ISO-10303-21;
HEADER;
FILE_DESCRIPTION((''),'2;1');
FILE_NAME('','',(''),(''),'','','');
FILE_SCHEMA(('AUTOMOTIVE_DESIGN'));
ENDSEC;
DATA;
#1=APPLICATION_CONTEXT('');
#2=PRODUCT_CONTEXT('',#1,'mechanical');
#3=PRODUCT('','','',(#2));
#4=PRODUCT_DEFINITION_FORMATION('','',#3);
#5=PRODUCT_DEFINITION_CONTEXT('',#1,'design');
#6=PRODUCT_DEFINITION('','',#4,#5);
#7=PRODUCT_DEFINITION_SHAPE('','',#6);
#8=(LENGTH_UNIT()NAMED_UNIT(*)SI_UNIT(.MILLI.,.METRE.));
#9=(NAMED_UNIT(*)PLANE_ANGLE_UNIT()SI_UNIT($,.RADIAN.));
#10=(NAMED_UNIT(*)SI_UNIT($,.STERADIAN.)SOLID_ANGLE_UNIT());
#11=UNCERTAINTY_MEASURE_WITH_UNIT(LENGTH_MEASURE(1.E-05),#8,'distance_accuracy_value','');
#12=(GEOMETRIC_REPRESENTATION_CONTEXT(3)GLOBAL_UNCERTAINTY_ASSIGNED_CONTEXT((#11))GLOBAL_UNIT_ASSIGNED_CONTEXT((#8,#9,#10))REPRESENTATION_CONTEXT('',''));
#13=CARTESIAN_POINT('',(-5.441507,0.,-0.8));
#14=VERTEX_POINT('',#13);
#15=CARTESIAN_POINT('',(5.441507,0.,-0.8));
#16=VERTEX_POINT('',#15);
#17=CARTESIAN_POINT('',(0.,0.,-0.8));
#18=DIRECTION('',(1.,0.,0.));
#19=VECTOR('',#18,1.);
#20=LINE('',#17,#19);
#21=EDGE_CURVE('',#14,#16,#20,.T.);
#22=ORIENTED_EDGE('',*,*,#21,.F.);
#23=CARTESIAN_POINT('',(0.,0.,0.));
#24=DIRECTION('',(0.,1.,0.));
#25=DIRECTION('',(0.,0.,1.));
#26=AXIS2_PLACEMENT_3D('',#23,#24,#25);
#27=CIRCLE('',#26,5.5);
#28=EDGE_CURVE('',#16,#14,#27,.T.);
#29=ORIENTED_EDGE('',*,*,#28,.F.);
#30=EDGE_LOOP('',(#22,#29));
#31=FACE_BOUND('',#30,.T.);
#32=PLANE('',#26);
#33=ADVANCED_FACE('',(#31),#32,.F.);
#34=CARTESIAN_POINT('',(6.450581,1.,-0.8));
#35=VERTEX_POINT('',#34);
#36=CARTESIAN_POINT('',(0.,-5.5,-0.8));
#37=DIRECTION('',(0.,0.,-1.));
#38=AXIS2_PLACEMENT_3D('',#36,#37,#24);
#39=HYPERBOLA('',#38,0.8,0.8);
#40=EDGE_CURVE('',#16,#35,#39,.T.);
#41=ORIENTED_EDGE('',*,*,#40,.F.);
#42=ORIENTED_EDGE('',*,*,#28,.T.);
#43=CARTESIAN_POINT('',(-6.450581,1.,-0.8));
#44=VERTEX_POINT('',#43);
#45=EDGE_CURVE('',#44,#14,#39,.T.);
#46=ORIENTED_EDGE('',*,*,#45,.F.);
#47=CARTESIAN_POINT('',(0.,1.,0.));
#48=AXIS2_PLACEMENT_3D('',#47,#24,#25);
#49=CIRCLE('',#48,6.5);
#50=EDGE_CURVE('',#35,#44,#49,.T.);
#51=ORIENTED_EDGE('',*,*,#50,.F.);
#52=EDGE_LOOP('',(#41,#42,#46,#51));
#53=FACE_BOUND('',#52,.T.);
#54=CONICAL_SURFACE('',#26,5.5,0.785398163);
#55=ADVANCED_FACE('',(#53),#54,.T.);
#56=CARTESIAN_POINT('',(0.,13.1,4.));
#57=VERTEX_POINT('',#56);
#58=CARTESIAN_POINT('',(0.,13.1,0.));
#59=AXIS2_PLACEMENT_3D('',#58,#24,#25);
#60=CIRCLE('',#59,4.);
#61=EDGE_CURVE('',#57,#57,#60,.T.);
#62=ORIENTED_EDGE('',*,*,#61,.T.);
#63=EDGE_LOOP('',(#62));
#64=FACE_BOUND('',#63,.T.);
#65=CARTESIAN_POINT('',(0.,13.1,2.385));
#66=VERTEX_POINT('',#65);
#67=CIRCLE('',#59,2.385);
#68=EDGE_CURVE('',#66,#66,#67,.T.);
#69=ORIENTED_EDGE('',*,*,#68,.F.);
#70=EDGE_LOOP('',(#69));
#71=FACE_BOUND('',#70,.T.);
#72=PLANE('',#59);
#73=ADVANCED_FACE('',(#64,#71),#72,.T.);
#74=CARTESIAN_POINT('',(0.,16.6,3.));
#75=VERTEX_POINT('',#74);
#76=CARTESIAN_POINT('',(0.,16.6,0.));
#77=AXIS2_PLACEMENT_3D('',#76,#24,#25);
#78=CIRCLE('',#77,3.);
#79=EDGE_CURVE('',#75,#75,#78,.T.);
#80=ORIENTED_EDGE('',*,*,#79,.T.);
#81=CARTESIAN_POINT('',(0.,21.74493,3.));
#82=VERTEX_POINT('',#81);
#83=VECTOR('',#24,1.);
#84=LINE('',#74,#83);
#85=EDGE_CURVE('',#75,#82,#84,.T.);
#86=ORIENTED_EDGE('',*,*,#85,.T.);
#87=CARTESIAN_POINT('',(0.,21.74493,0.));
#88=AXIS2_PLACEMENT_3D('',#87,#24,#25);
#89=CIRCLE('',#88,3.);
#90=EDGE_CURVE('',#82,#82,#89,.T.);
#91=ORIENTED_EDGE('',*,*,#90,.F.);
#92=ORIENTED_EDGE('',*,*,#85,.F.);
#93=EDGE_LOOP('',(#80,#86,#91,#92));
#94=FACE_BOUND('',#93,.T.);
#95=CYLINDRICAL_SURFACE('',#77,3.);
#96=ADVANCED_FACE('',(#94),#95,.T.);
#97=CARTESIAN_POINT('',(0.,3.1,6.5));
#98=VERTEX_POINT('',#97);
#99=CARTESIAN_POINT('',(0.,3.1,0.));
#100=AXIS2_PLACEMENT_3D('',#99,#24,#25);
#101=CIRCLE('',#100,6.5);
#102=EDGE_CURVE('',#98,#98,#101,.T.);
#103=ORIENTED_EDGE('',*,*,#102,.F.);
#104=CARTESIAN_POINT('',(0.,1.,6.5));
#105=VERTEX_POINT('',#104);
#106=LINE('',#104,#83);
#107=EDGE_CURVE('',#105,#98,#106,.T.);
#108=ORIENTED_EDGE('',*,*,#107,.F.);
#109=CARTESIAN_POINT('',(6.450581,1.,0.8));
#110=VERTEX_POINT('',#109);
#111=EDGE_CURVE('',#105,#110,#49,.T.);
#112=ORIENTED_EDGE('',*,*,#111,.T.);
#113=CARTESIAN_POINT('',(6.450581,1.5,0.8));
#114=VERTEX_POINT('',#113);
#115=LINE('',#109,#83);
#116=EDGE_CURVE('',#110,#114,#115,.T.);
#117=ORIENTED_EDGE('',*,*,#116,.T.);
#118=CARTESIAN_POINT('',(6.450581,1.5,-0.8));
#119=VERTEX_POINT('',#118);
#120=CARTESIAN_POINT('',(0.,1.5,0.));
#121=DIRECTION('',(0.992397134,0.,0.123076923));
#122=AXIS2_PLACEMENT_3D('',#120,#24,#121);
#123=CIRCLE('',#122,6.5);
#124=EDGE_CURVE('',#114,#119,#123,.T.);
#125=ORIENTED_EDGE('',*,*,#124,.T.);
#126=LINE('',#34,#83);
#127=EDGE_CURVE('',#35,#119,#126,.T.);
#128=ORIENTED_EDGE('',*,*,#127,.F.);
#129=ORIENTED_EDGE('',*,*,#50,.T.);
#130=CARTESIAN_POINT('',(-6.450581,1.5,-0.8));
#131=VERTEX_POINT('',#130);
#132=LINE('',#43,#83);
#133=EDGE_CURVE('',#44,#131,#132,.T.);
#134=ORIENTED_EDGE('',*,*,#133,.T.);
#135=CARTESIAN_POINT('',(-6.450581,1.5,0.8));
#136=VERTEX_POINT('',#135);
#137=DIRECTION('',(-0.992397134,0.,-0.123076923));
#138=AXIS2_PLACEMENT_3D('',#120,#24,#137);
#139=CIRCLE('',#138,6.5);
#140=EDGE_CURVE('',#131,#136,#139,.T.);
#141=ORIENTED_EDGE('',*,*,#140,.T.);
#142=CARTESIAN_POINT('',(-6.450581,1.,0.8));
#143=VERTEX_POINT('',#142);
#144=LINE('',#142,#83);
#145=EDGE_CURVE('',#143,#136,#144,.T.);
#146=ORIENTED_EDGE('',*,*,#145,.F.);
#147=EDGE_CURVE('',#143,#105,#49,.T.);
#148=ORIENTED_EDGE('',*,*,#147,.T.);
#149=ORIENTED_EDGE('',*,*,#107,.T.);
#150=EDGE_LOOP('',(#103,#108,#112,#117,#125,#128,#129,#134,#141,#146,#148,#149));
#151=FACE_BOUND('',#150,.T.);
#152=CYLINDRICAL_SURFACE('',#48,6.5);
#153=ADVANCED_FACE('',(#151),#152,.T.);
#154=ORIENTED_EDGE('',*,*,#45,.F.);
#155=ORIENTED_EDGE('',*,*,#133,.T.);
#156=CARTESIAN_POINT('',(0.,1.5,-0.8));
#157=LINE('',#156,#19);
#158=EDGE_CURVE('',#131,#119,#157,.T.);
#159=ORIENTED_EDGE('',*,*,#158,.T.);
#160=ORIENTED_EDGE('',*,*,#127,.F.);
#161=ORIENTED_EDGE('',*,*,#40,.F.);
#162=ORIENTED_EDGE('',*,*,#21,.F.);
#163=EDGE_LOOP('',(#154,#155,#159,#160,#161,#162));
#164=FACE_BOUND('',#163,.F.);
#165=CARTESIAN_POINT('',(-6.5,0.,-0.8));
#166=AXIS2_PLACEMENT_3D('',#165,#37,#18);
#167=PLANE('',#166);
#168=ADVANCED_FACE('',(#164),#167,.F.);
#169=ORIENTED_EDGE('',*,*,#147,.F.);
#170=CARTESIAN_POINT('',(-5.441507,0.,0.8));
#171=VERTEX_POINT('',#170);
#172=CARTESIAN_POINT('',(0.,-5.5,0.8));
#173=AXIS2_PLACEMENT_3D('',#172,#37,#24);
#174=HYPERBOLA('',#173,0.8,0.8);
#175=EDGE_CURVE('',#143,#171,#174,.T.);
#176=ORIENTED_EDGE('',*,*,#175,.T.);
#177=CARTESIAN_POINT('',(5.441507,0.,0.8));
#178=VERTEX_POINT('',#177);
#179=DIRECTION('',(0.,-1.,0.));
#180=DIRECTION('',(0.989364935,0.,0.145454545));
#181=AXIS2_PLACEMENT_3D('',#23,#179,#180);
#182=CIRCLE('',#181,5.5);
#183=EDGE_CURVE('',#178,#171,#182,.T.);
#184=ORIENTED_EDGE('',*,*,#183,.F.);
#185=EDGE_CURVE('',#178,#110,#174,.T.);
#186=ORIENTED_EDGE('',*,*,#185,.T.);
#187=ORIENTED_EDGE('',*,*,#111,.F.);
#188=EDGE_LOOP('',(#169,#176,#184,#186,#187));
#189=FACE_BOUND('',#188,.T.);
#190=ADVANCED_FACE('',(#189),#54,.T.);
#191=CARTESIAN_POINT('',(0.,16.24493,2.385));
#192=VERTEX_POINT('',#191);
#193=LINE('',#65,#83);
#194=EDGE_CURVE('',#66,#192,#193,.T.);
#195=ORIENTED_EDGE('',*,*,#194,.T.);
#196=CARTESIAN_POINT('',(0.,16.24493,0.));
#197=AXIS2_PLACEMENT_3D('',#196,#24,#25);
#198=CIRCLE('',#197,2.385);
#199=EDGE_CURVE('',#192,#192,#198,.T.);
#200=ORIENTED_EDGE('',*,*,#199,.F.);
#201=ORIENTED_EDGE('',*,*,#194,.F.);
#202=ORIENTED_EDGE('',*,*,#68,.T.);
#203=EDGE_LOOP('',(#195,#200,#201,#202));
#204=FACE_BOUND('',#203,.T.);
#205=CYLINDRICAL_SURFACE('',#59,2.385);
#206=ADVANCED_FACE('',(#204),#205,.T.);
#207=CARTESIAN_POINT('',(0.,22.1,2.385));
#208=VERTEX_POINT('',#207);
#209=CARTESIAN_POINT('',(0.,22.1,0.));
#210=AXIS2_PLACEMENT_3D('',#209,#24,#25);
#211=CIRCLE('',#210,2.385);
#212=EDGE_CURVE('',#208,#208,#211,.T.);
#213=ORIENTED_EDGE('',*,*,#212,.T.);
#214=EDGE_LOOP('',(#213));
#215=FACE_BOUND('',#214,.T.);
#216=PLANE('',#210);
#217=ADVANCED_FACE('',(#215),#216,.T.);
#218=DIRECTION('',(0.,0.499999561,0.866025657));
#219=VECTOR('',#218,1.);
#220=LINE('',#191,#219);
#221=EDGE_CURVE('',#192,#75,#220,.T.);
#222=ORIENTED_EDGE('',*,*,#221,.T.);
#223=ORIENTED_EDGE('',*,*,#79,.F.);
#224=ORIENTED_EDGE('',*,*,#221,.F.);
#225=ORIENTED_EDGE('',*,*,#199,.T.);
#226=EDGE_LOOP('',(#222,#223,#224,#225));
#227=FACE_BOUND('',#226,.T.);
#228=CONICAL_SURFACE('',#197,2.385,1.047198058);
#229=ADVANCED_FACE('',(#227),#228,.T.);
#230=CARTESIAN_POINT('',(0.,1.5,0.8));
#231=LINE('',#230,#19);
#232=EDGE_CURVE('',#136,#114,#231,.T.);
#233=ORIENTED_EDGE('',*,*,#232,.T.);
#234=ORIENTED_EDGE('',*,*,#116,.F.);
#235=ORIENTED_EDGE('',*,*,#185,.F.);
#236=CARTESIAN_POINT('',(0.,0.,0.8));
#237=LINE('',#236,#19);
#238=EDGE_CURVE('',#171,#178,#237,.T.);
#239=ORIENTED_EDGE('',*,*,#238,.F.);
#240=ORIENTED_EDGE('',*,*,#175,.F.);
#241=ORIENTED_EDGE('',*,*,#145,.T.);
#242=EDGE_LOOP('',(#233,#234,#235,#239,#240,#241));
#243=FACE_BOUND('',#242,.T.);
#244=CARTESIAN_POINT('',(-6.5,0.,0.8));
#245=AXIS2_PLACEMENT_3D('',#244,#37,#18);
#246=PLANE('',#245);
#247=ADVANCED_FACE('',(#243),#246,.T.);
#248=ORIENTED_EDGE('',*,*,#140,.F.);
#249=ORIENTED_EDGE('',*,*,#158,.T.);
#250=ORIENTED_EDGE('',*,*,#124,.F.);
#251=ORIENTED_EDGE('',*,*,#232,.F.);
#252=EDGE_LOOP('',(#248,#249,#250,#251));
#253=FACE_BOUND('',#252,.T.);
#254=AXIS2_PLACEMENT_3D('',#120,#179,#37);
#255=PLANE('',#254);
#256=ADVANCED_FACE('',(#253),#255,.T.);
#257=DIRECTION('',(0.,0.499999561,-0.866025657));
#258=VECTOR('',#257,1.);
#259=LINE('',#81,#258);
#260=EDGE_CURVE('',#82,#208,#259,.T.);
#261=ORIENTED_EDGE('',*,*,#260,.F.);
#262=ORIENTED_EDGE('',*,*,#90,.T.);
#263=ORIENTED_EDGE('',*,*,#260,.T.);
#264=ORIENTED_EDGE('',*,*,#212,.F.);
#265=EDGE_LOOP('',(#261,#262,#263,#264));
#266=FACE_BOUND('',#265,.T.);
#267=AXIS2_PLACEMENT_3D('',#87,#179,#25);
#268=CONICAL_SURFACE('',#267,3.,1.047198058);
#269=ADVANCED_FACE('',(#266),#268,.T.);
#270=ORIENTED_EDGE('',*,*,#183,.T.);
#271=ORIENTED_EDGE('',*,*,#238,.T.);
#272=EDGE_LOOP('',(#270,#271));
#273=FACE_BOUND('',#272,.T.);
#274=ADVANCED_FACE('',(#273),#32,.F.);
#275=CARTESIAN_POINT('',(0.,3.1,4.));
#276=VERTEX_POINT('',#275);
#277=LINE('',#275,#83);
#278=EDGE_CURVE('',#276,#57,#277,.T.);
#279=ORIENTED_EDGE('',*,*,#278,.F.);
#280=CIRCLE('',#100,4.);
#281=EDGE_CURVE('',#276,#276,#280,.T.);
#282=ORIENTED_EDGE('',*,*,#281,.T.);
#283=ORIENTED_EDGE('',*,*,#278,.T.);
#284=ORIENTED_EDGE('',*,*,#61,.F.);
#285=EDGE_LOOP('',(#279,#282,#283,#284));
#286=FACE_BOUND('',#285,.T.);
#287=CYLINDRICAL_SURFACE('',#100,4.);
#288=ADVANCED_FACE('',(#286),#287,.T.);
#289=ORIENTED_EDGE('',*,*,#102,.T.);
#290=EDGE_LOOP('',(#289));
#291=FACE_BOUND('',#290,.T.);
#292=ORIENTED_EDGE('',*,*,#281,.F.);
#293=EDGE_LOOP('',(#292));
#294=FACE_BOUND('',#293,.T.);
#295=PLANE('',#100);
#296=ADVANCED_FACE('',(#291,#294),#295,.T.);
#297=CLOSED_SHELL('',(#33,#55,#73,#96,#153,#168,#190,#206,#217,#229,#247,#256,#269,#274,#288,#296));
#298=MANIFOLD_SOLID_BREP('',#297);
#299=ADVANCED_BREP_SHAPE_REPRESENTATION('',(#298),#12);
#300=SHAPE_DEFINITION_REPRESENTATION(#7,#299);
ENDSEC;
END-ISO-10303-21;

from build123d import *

# Parameters (mm, degrees)
SKETCH001_W  = 1.6
SKETCH001_H  = 13
POCKET_DEPTH = 1.5


with BuildPart() as part:
    # Sketch → Revolution (revolve)
    with BuildSketch(Plane.YZ):
        Polygon((0, 0), (0, 5.5), (1, 6.5), (3.1, 6.5), (3.1, 4), (13.1, 4), (13.1, 2.385), (16.24493, 2.385), (16.6, 3), (21.74493, 3), (22.1, 2.385), (22.1, 0), align=None)
    revolve(axis=Axis((0, 0, 0), (0, 1, 0)))

    # Sketch001 → Pocket (cut)
    with BuildSketch(Plane(origin=(0, 0, 0), x_dir=(0, 0, -1), z_dir=(0, -1, 0))):
        Rectangle(SKETCH001_W, SKETCH001_H)
    extrude(amount=-POCKET_DEPTH, mode=Mode.SUBTRACT)


solid = part.part
